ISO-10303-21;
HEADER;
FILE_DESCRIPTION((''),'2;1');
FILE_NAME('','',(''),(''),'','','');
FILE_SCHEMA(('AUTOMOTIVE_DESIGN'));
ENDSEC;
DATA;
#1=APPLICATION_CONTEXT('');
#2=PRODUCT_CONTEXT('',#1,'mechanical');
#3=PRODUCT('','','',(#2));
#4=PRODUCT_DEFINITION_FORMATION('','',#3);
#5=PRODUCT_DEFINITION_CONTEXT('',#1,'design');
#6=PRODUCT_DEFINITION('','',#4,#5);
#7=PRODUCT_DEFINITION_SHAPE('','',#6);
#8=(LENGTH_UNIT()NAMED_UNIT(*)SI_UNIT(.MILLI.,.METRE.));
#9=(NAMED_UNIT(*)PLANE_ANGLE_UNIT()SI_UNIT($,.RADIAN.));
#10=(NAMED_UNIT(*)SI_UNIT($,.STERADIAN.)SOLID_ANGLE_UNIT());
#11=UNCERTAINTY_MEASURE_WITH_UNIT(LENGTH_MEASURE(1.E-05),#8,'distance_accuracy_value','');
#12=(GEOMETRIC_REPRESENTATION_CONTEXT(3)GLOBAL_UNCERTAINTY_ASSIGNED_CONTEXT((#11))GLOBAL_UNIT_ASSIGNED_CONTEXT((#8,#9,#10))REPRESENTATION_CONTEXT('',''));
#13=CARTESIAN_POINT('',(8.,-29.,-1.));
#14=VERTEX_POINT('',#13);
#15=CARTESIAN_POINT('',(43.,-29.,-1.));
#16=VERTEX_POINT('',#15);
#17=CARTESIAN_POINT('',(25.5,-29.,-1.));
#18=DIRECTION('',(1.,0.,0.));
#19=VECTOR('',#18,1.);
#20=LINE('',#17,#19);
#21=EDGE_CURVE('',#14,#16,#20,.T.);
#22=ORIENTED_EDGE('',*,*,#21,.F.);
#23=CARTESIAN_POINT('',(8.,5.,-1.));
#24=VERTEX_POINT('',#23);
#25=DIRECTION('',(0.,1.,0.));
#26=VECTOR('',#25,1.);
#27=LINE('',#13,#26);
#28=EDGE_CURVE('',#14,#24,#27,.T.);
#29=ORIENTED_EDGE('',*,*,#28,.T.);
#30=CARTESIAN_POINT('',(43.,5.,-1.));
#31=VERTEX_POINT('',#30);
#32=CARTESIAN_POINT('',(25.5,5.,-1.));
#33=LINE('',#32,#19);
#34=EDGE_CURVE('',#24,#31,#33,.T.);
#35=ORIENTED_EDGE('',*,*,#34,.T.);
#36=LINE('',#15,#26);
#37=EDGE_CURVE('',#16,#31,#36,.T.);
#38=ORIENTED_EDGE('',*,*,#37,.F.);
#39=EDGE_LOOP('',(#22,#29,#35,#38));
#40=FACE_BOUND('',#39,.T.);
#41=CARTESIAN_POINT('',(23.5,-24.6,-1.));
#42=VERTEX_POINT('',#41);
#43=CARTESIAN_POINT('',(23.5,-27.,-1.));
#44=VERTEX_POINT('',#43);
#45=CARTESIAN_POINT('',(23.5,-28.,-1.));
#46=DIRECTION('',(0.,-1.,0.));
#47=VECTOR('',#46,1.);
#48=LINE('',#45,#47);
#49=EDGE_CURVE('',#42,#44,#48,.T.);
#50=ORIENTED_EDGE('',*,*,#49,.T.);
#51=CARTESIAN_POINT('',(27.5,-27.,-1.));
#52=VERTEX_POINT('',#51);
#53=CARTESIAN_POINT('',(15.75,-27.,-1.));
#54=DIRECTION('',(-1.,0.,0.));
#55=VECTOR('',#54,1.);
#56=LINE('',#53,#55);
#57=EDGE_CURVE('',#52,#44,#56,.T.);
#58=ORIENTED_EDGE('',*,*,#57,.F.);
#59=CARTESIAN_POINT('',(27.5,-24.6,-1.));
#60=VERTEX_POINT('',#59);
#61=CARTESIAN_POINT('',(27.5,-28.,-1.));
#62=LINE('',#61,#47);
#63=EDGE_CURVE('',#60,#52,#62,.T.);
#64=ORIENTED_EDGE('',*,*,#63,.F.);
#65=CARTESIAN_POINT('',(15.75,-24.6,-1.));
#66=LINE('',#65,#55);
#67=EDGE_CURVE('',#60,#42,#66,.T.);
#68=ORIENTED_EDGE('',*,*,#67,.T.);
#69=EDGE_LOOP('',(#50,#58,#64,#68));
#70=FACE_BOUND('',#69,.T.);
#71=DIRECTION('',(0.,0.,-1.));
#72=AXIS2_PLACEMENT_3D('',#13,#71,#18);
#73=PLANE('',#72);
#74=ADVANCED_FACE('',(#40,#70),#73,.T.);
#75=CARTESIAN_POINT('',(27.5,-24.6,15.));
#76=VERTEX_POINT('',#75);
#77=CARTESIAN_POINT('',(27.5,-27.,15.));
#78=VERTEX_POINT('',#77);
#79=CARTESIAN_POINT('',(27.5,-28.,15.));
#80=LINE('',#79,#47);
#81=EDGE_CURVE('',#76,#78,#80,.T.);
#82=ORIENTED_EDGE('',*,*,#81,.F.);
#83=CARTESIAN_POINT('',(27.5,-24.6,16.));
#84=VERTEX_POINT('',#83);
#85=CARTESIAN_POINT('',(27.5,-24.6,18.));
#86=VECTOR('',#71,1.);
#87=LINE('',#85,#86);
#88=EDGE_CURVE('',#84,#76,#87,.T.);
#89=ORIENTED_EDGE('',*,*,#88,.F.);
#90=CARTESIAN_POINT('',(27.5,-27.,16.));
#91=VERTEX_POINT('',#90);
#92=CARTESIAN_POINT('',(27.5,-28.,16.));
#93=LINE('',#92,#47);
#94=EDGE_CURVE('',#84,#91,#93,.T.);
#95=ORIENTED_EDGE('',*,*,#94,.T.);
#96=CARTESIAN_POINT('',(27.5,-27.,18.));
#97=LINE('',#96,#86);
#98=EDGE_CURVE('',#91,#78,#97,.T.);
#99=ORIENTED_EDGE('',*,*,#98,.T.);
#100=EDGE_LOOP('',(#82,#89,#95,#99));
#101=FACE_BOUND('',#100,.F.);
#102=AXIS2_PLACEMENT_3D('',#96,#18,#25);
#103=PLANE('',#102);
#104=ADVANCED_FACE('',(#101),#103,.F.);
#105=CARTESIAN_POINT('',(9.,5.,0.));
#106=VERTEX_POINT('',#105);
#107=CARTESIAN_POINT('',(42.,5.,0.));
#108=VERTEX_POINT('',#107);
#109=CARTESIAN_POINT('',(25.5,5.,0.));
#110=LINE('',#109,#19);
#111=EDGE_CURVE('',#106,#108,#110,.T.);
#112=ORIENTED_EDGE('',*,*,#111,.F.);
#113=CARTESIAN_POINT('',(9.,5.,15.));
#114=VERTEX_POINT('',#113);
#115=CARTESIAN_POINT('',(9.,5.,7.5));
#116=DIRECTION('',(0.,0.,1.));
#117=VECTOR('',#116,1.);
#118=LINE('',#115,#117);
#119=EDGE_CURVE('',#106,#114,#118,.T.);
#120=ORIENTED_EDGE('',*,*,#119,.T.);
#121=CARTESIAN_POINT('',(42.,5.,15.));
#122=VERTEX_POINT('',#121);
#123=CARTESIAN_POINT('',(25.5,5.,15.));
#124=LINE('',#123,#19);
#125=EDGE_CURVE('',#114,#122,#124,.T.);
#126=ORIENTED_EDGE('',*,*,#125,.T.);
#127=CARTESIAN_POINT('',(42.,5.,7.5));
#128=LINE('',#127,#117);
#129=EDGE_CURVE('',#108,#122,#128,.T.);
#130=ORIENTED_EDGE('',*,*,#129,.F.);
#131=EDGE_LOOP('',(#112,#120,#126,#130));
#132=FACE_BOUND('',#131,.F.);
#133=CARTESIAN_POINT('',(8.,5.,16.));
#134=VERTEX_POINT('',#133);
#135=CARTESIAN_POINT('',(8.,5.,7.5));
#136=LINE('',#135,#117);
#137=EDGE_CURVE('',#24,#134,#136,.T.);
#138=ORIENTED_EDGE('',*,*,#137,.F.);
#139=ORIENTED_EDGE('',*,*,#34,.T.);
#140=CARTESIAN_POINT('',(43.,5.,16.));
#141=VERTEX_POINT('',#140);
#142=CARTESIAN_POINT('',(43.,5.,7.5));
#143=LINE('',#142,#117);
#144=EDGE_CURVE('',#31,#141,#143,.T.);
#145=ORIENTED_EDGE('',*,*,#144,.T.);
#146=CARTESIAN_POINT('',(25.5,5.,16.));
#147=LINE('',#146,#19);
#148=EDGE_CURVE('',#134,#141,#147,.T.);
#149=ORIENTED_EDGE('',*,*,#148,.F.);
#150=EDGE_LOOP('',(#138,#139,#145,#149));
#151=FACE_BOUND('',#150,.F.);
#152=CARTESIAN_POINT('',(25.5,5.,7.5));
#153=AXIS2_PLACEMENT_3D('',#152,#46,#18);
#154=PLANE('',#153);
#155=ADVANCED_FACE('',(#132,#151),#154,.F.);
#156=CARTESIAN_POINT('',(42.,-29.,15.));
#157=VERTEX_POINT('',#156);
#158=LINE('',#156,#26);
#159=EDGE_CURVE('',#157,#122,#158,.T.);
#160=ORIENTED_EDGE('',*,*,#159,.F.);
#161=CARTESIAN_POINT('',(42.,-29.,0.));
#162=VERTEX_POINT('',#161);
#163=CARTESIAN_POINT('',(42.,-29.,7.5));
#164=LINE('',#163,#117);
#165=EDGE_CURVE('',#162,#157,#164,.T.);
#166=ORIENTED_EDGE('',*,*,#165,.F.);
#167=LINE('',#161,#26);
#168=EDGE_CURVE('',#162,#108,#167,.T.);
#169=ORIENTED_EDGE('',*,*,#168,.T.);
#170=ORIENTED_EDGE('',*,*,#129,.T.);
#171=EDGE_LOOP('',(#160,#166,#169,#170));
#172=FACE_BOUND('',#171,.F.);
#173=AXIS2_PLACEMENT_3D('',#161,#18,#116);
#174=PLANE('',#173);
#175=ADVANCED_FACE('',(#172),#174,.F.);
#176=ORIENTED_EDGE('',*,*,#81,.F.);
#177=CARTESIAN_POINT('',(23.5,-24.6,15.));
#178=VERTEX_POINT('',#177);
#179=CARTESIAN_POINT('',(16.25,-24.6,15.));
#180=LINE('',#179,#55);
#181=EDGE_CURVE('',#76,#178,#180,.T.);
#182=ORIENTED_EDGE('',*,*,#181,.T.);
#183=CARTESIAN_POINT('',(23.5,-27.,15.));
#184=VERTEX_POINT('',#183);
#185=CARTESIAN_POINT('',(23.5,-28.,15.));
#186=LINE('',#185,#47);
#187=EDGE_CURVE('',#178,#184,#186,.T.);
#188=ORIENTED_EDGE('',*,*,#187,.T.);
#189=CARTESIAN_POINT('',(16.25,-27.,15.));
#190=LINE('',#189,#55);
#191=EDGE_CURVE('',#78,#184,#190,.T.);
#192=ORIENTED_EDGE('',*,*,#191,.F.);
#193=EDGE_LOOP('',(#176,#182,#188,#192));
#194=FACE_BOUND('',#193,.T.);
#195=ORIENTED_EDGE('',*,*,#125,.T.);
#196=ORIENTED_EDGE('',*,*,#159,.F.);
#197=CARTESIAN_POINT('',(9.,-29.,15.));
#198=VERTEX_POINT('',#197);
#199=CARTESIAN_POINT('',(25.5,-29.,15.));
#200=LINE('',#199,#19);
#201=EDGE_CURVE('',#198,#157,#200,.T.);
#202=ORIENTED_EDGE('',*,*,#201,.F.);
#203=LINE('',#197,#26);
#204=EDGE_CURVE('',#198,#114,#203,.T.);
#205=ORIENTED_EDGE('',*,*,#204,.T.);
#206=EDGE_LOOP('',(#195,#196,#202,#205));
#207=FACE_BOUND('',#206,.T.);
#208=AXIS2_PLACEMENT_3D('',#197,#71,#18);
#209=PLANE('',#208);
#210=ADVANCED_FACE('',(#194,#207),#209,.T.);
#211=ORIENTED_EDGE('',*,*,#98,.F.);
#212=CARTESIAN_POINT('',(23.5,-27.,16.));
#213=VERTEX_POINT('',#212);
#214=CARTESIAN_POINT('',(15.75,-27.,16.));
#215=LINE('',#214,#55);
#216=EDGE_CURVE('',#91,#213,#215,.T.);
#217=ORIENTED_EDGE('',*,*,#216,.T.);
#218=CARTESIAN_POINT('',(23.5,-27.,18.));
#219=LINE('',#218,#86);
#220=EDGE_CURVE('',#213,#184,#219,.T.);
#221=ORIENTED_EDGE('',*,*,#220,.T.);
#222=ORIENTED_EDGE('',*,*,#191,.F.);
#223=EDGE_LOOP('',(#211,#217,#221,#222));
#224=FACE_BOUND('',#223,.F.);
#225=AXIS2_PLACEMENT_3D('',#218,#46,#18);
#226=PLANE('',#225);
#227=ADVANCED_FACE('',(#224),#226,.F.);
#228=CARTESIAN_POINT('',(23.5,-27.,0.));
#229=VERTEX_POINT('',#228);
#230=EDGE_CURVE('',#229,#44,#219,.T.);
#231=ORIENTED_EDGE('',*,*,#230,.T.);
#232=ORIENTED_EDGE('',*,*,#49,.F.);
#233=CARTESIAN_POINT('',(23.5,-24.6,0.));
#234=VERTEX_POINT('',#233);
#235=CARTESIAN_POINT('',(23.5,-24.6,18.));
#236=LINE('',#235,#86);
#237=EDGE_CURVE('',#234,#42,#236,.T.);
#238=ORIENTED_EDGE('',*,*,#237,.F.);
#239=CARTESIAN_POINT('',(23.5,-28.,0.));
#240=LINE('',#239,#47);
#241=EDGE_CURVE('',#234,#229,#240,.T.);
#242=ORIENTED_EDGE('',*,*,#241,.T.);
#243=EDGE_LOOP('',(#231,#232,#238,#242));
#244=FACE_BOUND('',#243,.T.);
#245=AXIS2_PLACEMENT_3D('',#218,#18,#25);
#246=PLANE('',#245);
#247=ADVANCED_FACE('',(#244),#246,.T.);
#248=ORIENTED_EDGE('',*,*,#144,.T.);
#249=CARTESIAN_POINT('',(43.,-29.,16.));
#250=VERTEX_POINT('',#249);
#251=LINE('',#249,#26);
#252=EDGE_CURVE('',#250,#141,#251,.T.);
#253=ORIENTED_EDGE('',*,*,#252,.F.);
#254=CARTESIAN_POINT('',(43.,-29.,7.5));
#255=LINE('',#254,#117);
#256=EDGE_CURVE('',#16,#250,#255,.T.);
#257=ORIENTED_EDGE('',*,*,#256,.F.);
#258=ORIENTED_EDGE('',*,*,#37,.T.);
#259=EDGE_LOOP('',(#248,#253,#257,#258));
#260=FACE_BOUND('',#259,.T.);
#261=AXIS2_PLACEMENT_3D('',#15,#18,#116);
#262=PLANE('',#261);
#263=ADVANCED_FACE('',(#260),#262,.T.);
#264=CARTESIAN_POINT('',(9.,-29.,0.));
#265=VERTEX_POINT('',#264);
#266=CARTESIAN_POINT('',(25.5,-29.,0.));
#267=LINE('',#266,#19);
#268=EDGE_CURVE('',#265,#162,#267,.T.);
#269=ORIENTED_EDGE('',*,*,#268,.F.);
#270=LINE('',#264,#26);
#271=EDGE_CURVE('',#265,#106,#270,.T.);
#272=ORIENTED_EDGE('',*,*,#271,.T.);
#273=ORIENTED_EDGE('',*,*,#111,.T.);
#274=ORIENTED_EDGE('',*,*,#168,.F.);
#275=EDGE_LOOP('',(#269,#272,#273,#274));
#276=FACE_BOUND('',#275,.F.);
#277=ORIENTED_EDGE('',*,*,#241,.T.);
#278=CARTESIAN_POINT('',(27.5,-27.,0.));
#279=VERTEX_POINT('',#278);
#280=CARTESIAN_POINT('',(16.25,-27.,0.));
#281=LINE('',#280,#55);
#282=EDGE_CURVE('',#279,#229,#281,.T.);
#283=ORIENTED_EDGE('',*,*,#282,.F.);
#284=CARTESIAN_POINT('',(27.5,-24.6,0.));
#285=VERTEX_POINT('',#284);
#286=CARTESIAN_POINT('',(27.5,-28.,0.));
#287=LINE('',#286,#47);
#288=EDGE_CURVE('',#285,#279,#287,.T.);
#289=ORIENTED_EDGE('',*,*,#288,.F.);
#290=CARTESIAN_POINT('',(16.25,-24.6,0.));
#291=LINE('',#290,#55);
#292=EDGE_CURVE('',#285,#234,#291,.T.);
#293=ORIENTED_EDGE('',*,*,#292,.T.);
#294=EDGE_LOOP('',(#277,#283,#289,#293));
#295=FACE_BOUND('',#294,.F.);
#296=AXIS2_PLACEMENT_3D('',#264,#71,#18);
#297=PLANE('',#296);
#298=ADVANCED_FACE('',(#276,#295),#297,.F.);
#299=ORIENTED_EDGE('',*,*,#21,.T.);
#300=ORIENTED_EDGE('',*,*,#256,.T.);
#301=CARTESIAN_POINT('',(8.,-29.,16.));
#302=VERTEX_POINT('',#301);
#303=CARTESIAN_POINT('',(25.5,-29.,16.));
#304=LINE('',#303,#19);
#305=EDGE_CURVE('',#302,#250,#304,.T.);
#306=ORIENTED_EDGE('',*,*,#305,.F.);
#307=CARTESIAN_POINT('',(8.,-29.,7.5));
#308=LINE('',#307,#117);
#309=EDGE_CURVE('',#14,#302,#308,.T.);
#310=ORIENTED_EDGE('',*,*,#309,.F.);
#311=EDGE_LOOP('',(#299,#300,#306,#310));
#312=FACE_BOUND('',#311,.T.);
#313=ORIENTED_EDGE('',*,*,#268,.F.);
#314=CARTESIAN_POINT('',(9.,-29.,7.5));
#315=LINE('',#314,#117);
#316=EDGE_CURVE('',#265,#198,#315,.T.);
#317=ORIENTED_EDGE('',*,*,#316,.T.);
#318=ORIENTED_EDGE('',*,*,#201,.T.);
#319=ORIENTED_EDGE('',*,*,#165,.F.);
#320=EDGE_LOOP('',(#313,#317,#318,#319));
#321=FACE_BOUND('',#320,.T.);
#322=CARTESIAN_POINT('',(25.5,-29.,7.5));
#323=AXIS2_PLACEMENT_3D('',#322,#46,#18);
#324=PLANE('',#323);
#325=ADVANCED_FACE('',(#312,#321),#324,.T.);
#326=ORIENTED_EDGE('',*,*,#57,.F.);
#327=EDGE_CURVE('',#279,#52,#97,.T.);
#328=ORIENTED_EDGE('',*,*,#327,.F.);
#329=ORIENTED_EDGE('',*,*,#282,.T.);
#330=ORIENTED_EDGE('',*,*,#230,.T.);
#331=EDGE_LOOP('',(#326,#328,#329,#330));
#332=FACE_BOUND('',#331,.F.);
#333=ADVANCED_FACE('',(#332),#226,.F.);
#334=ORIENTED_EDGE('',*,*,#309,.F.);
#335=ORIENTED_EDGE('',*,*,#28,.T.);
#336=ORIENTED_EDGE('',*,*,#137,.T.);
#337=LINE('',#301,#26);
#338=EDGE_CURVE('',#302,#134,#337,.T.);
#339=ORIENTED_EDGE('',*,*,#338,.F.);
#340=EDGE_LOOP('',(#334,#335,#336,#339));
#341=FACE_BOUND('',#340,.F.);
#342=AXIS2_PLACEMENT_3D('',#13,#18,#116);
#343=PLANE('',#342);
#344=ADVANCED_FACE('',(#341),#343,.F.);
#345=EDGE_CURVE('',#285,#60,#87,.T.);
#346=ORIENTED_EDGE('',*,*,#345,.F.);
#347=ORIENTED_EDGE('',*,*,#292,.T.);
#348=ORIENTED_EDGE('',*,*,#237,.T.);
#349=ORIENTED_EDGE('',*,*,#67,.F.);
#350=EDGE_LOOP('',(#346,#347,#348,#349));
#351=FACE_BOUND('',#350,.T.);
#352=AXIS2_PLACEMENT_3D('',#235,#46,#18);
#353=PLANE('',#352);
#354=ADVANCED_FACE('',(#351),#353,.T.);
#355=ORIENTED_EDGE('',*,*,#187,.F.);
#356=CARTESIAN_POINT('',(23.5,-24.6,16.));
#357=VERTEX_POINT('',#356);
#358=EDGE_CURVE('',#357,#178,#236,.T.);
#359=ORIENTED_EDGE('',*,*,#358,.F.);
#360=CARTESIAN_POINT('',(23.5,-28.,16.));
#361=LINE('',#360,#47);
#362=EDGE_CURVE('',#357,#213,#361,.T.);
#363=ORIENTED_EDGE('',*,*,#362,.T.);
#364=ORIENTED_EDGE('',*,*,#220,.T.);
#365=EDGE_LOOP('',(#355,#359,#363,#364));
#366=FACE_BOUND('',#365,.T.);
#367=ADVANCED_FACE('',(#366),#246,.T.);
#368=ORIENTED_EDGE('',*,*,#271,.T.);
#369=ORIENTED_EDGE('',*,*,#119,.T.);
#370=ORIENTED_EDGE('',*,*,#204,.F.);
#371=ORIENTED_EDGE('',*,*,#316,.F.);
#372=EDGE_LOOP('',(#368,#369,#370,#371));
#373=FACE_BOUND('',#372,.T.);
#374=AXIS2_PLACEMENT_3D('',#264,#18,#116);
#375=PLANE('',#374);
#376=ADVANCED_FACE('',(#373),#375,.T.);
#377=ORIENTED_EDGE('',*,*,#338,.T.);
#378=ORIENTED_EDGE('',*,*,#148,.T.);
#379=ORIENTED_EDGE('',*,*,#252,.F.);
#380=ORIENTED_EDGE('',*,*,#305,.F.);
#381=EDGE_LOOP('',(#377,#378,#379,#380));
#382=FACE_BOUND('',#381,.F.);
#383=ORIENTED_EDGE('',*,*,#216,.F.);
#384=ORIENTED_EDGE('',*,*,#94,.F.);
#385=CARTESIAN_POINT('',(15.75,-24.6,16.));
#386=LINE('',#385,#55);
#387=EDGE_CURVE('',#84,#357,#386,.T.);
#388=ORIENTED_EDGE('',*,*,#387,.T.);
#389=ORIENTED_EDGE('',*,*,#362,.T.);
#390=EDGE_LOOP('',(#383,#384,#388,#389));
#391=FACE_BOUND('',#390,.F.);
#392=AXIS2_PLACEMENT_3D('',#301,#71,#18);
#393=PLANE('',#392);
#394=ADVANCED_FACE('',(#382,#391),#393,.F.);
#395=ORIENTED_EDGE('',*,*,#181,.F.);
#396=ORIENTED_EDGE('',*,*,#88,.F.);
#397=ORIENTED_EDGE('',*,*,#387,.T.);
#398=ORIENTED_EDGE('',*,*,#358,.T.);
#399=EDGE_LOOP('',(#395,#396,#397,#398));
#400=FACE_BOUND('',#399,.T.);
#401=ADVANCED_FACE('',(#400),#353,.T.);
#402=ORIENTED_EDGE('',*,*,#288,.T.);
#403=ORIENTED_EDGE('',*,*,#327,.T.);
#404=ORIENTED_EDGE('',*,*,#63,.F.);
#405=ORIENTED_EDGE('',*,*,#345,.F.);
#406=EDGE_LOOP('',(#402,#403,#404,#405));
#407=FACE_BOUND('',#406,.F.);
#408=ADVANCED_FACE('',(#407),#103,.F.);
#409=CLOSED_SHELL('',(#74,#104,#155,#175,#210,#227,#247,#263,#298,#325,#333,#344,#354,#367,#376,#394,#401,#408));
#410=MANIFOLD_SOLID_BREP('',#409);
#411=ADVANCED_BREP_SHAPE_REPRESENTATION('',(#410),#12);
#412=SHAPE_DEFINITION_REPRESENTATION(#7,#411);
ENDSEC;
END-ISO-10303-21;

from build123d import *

# Parameters (mm, degrees)
SKETCH027_W      = 4
SKETCH027_H      = 2.4
EXTRUDE024_DEPTH = 20
SKETCH_W         = 35
SKETCH_H         = 17
SKETCH_W_2       = 33
SKETCH_H_2       = 15
EXTRUDE_DEPTH    = 34


with BuildPart() as extrude024:
    # Sketch027 → Extrude024 (new body)
    with BuildSketch(Plane.XY.offset(18)):
        with Locations((25.5, -25.8)):
            Rectangle(SKETCH027_W, SKETCH027_H)
    extrude(amount=-EXTRUDE024_DEPTH)


with BuildPart() as cut001:
    # Sketch → Extrude (new body)
    with BuildSketch(Plane.XZ.offset(29)):
        with Locations((25.5, 7.5)):
            Rectangle(SKETCH_W, SKETCH_H)
        with Locations((25.5, 7.5)):
            Rectangle(SKETCH_W_2, SKETCH_H_2, mode=Mode.SUBTRACT)
    extrude(amount=-EXTRUDE_DEPTH)

    # Cut001: cut Extrude024
    add(extrude024.part, mode=Mode.SUBTRACT)


solid = cut001.part
